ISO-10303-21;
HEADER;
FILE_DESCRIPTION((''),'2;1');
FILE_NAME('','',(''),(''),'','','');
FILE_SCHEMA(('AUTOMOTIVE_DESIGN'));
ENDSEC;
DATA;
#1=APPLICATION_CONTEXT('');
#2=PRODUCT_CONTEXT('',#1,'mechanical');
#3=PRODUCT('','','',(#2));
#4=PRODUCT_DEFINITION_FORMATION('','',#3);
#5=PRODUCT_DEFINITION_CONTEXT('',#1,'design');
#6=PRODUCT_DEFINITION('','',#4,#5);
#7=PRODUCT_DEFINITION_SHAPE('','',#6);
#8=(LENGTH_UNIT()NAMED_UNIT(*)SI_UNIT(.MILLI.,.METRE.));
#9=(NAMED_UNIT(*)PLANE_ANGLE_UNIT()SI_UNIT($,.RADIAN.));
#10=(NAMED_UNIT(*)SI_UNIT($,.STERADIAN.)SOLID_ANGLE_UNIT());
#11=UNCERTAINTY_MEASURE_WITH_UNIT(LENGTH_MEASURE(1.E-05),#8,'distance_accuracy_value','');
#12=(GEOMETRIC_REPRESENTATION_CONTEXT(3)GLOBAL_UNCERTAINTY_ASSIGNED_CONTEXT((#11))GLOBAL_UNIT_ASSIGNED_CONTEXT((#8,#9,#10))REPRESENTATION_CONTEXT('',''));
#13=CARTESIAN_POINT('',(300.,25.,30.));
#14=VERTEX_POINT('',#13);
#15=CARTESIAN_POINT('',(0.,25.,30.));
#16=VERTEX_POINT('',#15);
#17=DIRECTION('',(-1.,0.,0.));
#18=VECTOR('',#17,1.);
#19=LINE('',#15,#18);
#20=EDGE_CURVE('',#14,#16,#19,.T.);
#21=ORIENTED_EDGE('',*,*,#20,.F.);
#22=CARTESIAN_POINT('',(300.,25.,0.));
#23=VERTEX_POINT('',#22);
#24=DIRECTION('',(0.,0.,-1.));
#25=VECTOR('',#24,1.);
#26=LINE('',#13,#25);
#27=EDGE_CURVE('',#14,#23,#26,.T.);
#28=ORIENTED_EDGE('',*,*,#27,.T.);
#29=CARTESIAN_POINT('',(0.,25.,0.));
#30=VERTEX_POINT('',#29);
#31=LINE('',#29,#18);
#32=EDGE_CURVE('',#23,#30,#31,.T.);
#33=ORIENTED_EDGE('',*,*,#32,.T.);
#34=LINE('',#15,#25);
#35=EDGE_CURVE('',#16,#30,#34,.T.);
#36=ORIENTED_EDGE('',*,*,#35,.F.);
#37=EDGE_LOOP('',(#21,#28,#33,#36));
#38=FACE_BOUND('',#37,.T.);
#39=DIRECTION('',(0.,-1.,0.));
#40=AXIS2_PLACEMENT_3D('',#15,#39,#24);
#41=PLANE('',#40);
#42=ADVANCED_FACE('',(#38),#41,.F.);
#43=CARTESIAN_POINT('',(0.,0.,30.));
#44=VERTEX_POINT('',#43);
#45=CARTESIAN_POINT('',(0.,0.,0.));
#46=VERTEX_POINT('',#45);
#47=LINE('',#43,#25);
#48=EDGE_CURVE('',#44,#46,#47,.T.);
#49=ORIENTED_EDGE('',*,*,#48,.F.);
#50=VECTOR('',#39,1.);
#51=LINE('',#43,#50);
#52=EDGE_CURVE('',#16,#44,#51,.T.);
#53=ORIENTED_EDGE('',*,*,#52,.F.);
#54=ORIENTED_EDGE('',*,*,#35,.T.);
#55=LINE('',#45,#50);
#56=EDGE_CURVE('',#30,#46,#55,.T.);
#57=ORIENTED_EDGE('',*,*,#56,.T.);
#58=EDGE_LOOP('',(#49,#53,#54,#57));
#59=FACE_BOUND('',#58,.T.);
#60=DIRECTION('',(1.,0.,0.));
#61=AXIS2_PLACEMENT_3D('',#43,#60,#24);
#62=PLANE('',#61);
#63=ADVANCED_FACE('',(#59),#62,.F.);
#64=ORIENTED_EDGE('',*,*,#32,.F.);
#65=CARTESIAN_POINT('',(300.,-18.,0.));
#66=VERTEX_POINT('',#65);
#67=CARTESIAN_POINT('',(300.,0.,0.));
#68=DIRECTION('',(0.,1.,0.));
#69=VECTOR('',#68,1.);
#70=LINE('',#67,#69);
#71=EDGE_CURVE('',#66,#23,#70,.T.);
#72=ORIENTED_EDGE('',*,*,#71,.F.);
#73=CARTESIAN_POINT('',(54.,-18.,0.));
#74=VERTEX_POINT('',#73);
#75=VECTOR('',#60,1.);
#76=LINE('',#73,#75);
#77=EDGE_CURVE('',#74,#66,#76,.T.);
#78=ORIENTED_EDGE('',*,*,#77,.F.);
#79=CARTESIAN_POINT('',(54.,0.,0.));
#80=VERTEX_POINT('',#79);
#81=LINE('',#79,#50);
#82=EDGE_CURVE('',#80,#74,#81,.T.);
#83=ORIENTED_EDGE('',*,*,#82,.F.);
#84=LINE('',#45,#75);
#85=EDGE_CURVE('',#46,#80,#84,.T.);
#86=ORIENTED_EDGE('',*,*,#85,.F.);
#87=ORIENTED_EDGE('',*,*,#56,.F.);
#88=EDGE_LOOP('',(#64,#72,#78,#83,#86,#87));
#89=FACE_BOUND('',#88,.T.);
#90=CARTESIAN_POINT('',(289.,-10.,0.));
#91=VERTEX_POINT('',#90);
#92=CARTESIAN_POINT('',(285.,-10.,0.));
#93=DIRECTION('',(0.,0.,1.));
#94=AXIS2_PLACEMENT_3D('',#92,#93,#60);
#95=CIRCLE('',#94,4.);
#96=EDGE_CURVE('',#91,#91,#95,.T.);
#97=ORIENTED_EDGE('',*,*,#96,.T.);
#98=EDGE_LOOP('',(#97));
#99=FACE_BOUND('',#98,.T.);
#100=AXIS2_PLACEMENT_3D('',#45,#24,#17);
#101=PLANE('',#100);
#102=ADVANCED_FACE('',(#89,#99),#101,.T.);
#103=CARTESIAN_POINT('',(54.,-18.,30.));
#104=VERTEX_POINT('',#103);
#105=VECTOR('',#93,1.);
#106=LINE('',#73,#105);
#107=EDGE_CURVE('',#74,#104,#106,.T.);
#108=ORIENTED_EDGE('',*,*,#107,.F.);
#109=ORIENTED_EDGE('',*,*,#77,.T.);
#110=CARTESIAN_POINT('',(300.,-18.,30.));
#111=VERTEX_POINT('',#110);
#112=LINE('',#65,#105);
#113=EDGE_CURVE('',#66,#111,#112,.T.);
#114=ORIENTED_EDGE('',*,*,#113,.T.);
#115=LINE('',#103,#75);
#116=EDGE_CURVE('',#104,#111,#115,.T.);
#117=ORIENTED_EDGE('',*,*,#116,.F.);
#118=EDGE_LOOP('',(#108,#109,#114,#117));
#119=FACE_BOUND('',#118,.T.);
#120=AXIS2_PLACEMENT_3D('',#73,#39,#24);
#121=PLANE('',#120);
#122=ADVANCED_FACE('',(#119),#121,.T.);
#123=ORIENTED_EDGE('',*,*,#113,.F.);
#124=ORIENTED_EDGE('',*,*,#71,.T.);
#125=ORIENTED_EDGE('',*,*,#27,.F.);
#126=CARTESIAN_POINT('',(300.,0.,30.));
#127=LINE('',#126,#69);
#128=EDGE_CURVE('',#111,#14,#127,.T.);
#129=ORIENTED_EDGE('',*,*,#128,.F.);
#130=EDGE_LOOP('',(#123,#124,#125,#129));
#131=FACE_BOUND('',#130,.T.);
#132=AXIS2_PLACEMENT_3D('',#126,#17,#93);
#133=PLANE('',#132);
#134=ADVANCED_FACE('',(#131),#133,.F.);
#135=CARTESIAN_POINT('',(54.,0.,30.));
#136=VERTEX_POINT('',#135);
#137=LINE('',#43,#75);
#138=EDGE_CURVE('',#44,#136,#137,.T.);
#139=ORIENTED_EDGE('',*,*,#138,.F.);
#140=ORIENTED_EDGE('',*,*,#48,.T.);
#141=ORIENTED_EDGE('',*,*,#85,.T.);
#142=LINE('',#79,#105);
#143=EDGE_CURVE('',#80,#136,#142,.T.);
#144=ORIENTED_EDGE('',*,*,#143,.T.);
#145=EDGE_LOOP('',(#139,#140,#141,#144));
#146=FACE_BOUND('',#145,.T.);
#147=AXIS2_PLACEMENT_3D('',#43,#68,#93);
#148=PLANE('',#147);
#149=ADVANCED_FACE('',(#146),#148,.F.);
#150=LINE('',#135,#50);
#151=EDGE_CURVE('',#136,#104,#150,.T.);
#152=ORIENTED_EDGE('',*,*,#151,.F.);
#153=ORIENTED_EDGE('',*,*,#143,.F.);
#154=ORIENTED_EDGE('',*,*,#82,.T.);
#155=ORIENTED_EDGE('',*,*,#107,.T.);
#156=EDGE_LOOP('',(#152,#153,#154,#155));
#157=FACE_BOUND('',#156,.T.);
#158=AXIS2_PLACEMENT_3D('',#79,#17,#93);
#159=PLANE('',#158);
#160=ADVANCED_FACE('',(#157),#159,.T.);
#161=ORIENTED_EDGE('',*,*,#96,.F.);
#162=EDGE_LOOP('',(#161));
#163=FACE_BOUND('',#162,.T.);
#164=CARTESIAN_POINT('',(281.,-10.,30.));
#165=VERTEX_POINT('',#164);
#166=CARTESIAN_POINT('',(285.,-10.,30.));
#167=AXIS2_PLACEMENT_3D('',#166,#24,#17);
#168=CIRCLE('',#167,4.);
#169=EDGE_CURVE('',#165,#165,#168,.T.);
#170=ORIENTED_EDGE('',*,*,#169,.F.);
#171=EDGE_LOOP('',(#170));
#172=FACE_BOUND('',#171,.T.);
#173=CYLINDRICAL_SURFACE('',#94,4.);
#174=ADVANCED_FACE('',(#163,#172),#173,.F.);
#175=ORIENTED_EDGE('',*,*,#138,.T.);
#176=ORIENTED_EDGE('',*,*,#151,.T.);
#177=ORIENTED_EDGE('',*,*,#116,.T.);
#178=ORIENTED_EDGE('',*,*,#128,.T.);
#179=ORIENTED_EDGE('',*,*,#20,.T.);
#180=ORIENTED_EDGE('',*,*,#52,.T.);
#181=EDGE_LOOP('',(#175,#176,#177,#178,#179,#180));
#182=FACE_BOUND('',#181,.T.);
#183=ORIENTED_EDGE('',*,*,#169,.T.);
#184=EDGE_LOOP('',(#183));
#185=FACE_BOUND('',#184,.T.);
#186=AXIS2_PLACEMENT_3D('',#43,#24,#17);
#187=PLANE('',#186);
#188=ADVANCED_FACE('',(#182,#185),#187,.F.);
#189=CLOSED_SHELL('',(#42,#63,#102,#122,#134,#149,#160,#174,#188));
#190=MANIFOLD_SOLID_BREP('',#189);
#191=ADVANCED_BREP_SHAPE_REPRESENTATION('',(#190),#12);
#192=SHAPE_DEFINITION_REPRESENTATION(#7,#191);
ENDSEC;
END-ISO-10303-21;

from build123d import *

# Parameters (mm, degrees)
ESQUISSE1_W                  = 300
ESQUISSE1_H                  = 25
BOSS_EXTRU_1_DEPTH           = 30
ESQUISSE3_W                  = 246
ESQUISSE3_H                  = 18
BOSS_EXTRU_2_DEPTH           = 30
ENL_V_MAT_EXTRU_1_DEPTH      = 303.530990148
ENL_V_MAT_EXTRU_1_DEPTH_BACK = 303.530990148
ESQUISSE2_R                  = 4


with BuildPart() as part:
    # Esquisse1 → Boss.-Extru.1 (new body)
    with BuildSketch(Plane.XY):
        with Locations((150, 12.5)):
            Rectangle(ESQUISSE1_W, ESQUISSE1_H)
    extrude(amount=BOSS_EXTRU_1_DEPTH)

    # Esquisse3 → Boss.-Extru.2 (add)
    with BuildSketch(Plane.XY.offset(30)):
        with Locations((177, -9)):
            Rectangle(ESQUISSE3_W, ESQUISSE3_H)
    extrude(amount=-BOSS_EXTRU_2_DEPTH)

    # Esquisse2 → Enlèv. mat.-Extru.1 (cut, two sides: drawn at the far end of the back side and taken through both)
    with BuildSketch(Plane.XY.offset(30).offset(-ENL_V_MAT_EXTRU_1_DEPTH_BACK)):
        with Locations((285, -10)):
            Circle(ESQUISSE2_R)
    extrude(amount=ENL_V_MAT_EXTRU_1_DEPTH + ENL_V_MAT_EXTRU_1_DEPTH_BACK, mode=Mode.SUBTRACT)


solid = part.part
